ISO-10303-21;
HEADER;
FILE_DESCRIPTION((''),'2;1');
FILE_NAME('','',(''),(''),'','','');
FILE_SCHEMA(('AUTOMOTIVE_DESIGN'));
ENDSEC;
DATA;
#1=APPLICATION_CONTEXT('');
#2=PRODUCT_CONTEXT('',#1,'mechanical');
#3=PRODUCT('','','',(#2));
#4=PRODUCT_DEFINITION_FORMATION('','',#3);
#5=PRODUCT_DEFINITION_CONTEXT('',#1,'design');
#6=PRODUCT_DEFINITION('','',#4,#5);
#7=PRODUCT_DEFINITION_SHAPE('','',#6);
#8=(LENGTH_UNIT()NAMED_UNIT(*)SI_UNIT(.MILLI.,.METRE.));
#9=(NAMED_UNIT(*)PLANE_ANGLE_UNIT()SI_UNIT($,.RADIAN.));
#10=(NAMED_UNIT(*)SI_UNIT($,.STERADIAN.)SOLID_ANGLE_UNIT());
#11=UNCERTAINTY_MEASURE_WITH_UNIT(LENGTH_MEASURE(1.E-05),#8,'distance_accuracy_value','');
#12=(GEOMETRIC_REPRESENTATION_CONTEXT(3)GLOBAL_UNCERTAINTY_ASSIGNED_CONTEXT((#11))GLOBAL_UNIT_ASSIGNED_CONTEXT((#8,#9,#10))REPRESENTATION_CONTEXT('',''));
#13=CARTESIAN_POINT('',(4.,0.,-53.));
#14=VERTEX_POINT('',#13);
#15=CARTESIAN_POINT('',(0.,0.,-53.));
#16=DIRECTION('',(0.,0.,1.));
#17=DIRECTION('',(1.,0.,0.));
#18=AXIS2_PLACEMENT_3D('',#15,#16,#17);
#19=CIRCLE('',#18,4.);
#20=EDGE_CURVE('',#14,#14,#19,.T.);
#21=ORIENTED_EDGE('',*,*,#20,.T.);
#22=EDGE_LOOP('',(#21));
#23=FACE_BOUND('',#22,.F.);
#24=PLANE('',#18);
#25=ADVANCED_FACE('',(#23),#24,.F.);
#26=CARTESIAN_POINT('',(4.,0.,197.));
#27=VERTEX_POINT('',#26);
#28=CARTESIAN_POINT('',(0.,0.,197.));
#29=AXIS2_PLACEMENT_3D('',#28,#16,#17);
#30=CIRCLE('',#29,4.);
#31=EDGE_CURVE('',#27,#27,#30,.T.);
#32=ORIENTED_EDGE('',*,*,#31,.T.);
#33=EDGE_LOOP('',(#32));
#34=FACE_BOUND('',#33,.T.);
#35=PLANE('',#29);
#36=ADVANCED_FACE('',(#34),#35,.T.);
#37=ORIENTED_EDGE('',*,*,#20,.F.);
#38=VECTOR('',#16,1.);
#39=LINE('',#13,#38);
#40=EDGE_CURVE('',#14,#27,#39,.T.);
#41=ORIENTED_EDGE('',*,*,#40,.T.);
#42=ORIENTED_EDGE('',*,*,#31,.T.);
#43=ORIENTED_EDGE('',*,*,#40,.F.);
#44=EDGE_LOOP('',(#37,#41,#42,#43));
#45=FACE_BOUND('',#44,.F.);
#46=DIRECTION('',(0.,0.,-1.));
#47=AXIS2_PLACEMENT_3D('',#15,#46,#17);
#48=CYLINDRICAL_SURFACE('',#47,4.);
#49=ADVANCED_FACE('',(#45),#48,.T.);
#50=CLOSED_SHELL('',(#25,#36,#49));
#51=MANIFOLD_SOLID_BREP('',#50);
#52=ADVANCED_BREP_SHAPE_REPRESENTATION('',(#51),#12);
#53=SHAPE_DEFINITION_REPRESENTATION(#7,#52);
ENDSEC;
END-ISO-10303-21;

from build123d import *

# Parameters (mm, degrees)
SKETCH_R  = 4
PAD_DEPTH = 250


with BuildPart() as part:
    # Sketch → Pad (new body)
    with BuildSketch(Plane.XY):
        Circle(SKETCH_R)
    extrude(amount=PAD_DEPTH)


with BuildPart() as part_1:
    # Body placement: moved
    add(part.part.moved(Location((0, 0, -53))))


solid = part_1.part
